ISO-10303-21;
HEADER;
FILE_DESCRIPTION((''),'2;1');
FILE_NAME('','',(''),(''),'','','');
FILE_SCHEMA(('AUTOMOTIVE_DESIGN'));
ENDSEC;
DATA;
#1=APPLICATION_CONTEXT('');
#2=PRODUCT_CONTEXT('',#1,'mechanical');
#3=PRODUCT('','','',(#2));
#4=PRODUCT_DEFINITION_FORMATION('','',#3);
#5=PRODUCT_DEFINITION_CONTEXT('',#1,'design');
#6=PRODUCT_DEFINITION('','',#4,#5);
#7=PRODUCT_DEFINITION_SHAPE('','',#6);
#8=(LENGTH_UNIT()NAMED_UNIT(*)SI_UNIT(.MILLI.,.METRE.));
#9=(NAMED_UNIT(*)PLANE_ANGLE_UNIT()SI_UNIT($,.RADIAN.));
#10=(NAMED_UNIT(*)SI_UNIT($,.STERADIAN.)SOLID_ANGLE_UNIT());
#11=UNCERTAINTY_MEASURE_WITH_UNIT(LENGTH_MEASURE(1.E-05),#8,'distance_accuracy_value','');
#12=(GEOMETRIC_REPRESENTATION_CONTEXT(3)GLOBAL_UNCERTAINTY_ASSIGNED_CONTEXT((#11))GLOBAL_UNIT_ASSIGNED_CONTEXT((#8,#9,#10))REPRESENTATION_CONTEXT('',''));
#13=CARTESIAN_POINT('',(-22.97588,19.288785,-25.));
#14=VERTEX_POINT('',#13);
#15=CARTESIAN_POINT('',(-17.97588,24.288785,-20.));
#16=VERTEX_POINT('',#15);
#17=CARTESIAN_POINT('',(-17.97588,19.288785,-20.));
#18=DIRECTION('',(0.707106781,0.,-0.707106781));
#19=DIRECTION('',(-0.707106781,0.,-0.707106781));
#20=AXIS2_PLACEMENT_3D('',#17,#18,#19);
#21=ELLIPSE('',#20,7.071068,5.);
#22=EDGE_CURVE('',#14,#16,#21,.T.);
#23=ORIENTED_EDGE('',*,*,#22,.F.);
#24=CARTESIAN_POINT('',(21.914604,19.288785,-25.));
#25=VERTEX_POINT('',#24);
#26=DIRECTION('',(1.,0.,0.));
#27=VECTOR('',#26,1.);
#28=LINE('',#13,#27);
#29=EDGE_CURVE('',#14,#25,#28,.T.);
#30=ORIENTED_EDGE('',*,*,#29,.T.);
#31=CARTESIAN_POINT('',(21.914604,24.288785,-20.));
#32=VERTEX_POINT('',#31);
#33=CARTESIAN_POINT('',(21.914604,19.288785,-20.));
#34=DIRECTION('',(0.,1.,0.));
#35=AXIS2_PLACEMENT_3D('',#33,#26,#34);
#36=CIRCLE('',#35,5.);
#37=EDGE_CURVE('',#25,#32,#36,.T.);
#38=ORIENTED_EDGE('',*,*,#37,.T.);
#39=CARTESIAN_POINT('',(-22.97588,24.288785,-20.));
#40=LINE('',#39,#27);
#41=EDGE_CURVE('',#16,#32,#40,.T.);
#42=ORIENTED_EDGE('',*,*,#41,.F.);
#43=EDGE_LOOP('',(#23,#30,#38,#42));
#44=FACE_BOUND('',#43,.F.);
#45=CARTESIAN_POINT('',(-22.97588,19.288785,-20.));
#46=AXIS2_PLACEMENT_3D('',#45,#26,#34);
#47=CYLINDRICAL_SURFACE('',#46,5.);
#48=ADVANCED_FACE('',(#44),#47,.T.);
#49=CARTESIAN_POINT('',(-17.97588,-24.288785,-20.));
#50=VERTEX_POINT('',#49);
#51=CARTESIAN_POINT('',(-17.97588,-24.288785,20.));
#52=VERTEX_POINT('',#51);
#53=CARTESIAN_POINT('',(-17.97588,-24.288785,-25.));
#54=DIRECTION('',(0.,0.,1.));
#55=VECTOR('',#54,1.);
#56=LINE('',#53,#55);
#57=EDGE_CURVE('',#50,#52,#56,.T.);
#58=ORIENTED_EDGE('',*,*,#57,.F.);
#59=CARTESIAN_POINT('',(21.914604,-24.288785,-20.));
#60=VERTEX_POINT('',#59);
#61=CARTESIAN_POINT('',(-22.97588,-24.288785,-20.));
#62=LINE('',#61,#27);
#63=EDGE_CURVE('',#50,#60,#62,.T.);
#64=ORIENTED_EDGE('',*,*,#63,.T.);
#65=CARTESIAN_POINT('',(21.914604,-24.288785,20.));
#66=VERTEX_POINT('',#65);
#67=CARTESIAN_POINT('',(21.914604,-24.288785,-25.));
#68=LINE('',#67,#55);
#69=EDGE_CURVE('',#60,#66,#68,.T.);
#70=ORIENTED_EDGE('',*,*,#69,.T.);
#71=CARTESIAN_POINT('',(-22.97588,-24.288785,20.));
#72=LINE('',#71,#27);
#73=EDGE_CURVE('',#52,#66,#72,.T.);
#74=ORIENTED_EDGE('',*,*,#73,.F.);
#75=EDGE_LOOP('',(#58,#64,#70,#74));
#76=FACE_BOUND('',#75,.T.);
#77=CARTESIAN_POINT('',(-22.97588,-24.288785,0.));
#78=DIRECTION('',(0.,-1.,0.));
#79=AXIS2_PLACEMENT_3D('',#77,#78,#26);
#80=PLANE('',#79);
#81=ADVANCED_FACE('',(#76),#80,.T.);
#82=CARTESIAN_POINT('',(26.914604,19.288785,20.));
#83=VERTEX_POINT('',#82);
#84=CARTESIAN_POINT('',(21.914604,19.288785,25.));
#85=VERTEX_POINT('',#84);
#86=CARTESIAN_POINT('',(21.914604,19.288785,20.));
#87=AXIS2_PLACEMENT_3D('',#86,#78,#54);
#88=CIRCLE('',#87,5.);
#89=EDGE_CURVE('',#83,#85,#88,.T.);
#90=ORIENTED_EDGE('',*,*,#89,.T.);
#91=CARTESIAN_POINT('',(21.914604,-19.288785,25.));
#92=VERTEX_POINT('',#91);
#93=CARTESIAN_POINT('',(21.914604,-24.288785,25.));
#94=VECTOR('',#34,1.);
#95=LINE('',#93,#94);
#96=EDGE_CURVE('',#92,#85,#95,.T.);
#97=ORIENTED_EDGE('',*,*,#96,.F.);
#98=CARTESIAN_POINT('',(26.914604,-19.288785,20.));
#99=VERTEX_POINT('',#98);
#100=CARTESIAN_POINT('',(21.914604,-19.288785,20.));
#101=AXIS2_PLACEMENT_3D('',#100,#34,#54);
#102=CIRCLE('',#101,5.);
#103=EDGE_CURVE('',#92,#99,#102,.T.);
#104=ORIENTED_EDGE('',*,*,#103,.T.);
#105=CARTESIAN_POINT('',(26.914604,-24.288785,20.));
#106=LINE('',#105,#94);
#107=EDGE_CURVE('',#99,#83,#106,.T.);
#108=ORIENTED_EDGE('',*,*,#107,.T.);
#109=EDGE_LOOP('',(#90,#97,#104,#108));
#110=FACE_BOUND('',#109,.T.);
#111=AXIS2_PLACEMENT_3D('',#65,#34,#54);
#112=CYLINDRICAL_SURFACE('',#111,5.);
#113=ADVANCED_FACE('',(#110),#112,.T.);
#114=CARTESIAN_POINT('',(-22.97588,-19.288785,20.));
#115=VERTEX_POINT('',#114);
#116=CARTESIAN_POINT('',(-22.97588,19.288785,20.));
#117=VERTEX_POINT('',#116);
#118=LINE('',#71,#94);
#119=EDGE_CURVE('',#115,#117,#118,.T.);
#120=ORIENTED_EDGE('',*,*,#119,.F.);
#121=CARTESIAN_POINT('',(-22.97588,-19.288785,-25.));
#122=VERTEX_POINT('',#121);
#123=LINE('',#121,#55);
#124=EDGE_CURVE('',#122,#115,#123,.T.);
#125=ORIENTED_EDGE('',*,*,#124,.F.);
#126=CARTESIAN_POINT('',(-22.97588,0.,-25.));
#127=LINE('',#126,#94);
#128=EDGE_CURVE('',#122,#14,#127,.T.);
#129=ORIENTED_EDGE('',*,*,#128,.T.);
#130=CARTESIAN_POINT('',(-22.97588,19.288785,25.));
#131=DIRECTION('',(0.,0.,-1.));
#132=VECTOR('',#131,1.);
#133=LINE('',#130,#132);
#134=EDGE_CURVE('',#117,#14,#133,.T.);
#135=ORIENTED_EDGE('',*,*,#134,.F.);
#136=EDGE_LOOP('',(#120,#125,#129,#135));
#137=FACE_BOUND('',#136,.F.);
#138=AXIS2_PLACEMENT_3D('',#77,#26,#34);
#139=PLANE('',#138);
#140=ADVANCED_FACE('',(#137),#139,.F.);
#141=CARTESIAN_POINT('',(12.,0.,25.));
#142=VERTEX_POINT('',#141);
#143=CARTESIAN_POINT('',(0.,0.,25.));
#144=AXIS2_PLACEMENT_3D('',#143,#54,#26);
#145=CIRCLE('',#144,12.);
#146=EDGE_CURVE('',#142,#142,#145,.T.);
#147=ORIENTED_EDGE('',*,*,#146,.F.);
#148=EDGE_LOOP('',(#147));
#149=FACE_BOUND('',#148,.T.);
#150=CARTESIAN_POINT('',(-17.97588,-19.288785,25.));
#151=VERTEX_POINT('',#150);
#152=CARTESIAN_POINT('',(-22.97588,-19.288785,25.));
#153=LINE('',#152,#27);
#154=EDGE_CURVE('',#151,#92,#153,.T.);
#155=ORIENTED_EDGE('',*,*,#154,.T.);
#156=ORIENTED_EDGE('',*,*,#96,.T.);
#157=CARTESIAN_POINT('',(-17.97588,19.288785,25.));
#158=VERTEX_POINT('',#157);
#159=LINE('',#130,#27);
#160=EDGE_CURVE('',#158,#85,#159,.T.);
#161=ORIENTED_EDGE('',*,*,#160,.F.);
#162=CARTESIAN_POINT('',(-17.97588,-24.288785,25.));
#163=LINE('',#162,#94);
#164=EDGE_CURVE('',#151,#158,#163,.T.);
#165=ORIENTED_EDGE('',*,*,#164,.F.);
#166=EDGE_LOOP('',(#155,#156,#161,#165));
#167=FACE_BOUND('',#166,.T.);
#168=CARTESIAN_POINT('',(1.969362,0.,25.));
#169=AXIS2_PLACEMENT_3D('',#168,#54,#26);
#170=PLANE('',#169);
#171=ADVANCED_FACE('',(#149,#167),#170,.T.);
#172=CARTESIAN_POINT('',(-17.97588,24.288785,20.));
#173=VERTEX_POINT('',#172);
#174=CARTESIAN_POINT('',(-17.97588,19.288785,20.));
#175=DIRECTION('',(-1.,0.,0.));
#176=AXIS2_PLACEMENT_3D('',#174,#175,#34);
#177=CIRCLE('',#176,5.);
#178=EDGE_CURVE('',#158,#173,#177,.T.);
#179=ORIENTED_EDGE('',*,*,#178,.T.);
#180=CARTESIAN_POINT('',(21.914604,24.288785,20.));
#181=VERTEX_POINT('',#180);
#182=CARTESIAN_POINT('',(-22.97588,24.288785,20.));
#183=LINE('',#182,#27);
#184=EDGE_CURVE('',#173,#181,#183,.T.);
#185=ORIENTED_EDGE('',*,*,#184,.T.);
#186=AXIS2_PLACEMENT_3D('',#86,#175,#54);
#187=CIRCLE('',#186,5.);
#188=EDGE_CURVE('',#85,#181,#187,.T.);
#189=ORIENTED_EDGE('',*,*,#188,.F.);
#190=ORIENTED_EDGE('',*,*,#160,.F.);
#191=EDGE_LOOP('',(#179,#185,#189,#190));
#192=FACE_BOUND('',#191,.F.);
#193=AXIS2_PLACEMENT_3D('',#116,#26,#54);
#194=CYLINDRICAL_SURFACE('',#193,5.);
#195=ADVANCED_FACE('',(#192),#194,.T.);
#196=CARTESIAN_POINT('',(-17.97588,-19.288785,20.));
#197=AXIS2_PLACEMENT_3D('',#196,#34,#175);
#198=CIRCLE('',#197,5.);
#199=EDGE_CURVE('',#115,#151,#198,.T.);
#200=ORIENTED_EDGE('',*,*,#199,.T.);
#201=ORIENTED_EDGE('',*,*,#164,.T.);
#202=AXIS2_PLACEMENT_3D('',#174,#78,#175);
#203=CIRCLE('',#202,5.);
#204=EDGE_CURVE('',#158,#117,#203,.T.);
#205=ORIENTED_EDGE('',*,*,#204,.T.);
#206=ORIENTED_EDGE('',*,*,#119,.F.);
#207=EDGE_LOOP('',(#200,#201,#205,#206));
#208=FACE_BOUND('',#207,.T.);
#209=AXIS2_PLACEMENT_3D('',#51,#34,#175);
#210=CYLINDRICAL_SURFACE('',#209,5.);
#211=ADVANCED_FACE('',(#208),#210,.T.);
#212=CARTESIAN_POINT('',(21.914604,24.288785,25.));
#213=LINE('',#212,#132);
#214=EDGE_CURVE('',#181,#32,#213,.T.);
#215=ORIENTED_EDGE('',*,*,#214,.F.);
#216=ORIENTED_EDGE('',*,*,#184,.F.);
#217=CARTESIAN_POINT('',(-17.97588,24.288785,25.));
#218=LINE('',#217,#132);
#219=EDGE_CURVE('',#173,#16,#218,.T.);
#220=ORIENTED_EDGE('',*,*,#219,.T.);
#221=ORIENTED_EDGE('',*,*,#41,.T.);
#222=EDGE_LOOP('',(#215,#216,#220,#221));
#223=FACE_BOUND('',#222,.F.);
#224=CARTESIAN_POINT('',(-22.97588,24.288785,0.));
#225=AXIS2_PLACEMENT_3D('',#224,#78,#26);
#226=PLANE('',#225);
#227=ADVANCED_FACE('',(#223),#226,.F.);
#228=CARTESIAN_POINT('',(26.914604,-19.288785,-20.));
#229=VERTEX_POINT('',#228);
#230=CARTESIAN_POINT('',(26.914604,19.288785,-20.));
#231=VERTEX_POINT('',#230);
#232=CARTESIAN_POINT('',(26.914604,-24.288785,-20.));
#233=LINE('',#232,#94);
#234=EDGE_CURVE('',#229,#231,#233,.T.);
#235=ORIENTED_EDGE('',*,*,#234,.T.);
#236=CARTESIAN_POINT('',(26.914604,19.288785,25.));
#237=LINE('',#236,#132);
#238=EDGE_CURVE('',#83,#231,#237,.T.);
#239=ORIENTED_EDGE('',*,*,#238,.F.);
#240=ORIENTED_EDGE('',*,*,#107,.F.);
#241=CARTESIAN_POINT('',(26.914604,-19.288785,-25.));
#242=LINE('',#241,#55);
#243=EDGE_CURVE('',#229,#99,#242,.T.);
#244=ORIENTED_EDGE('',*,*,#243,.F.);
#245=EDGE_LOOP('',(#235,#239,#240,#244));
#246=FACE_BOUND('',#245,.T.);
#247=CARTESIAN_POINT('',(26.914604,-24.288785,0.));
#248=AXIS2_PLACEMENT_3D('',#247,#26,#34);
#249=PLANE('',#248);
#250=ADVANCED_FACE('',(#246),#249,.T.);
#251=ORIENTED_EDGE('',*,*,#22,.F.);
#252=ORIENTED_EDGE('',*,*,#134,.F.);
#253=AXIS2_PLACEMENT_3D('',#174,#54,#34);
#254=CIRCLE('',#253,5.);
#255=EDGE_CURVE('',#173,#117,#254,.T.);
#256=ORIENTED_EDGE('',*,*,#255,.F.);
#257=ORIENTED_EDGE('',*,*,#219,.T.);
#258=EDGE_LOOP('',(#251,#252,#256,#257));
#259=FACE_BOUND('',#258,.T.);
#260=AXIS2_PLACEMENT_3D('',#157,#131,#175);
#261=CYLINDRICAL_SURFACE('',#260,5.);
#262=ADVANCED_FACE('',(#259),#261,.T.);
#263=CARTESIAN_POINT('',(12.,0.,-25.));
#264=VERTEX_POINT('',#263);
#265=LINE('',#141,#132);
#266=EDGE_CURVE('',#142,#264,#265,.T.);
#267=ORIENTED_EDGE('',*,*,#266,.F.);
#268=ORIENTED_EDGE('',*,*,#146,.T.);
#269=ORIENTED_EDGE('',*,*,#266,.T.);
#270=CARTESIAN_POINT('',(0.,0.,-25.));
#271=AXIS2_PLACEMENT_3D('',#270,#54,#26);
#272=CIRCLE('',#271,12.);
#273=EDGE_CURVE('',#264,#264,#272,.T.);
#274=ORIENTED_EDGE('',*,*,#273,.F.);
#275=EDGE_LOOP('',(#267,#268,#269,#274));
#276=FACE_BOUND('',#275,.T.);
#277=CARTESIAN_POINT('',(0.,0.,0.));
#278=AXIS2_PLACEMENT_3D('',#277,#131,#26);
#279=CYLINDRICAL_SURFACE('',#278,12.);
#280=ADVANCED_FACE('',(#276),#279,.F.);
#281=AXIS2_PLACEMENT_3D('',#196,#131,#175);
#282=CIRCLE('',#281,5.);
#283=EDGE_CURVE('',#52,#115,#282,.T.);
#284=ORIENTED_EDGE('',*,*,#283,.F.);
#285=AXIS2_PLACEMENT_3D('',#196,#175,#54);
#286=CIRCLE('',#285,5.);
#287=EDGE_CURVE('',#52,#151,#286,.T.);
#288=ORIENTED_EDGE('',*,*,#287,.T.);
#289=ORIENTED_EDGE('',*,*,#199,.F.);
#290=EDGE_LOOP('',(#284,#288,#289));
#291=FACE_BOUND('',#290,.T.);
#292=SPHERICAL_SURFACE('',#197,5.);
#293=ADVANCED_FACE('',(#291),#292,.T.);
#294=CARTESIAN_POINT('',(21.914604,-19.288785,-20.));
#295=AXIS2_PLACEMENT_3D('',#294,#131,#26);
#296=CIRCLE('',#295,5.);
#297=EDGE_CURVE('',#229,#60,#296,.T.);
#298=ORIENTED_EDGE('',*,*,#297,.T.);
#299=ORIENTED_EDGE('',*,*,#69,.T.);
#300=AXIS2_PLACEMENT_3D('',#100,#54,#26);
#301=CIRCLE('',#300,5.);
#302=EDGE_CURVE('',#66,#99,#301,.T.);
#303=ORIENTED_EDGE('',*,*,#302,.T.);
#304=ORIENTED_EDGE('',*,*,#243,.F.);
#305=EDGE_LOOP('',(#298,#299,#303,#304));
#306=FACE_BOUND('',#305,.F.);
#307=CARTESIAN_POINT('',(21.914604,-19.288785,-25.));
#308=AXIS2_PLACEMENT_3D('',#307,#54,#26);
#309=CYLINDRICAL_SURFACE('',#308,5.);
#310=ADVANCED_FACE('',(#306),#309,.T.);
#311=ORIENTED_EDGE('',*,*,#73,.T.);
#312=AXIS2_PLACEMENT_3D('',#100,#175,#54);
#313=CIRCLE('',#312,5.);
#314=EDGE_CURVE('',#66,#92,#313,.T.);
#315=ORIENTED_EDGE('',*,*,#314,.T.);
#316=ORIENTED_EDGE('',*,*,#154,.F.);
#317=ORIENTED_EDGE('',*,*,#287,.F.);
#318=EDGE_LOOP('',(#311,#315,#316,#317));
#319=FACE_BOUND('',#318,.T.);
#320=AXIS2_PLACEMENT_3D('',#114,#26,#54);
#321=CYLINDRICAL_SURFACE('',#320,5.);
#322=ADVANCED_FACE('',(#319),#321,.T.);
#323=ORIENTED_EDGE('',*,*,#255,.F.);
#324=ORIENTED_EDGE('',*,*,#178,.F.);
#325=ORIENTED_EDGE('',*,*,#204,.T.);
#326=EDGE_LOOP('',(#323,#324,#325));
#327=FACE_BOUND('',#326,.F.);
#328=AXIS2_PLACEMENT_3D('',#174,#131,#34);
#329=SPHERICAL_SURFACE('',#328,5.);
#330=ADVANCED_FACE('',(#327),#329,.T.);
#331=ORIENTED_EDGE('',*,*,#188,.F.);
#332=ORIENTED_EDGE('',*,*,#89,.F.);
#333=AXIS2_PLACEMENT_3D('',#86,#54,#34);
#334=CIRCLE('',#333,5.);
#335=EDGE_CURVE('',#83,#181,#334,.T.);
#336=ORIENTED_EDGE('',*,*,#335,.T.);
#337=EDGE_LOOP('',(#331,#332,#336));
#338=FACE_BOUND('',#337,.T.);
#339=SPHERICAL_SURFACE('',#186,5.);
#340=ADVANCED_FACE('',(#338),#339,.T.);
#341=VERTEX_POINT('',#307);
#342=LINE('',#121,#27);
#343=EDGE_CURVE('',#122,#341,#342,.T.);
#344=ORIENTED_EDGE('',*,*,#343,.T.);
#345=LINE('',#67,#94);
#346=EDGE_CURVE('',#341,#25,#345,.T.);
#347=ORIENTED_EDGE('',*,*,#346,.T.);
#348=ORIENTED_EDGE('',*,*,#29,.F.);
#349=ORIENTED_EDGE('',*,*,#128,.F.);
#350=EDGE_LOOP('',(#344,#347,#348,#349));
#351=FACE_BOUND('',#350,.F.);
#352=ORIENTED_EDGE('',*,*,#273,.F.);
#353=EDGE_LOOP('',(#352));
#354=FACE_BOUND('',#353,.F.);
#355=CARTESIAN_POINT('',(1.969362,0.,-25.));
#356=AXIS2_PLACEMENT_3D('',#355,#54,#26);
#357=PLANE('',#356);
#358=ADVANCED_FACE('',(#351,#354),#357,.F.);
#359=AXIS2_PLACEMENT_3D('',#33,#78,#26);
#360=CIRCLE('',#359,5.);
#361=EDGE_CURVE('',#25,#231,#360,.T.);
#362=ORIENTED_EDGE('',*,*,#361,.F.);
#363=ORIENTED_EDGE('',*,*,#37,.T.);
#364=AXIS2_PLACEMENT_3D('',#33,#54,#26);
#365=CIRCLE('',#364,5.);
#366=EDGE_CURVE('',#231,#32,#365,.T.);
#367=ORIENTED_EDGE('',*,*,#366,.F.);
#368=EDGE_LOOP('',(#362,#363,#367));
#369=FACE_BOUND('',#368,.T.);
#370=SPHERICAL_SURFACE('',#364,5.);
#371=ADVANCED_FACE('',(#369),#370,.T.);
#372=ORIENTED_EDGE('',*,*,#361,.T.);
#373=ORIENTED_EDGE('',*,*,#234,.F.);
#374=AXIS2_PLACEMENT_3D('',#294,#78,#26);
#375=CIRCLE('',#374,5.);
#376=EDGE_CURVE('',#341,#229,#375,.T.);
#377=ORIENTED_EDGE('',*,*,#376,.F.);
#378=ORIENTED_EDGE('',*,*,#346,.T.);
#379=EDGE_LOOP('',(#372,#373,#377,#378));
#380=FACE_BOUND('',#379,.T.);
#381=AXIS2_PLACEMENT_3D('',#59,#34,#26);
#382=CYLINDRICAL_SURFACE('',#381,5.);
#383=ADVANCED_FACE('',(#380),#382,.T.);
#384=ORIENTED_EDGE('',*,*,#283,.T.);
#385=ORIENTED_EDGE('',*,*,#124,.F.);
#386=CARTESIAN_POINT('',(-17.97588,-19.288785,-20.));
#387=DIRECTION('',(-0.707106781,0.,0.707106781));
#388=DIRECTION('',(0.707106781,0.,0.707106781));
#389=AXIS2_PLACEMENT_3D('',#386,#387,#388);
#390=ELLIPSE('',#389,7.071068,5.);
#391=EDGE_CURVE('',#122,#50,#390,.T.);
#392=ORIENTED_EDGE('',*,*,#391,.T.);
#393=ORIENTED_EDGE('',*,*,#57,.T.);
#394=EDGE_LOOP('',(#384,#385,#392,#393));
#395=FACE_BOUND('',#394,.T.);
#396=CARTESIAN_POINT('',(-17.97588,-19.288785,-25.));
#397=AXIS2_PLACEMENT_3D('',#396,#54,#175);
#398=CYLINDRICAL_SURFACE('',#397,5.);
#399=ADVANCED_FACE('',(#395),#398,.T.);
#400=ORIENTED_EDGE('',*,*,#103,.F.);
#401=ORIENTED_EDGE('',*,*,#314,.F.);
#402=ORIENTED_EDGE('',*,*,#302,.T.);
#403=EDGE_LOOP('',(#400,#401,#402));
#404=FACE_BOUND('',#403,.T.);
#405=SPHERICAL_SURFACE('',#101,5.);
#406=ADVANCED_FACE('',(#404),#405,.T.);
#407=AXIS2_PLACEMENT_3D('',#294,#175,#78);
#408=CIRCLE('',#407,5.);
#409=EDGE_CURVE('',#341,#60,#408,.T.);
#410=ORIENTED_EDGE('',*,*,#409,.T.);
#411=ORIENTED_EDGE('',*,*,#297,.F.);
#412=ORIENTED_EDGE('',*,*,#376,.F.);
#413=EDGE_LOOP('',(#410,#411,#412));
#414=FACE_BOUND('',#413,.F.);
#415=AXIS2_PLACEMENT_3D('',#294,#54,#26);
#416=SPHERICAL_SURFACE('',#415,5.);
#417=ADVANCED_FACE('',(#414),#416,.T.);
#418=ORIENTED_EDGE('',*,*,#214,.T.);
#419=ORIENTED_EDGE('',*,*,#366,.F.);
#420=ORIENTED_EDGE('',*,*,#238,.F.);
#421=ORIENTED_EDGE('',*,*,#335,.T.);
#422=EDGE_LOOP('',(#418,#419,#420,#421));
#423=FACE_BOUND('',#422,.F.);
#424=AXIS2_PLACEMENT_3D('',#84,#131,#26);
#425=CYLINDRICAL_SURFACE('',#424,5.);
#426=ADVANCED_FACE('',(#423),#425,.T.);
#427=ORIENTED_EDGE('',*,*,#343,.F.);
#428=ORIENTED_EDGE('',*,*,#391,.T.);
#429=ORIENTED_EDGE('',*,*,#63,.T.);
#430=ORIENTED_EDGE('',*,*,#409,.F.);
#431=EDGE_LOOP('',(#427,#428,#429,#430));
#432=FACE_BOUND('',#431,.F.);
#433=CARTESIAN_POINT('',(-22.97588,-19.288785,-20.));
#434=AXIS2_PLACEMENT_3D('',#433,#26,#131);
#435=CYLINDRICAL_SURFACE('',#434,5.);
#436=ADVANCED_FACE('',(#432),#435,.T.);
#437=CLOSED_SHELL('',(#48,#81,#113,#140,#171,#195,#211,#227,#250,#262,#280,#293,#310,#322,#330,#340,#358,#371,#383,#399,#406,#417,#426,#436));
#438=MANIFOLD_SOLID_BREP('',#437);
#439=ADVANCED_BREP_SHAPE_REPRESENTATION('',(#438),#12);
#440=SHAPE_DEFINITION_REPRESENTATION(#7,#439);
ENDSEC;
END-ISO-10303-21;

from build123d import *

# Parameters (mm, degrees)
F0_W     = 49.890485
F0_H     = 48.57757
F0_R     = 12
F1_DEPTH = 25
F2_R     = 5


with BuildPart() as f1:
    # F0 (on Top) → F1 (new body, symmetric)
    with BuildSketch(Plane.XY):
        with Locations((1.969362, 0)):
            Rectangle(F0_W, F0_H)
        Circle(F0_R, mode=Mode.SUBTRACT)
    extrude(amount=F1_DEPTH, both=True)

    # F2
    f2_edges = [f1.edges().sort_by_distance(p)[0] for p in [
        (-22.97588, 24.288785, 0),
        (1.969363, 24.288785, 25),
        (-22.97588, 0, 25),
        (-22.97588, -24.288785, 0),
        (26.914605, 0, 25),
        (1.969363, -24.288785, 25),
        (26.914605, 24.288785, 0),
        (26.914605, -24.288785, 0),
        (26.914605, 0, -25),
        (1.969363, 24.288785, -25),
        (1.969363, -24.288785, -25),
    ]]
    fillet(f2_edges, radius=F2_R)


solid = f1.part
